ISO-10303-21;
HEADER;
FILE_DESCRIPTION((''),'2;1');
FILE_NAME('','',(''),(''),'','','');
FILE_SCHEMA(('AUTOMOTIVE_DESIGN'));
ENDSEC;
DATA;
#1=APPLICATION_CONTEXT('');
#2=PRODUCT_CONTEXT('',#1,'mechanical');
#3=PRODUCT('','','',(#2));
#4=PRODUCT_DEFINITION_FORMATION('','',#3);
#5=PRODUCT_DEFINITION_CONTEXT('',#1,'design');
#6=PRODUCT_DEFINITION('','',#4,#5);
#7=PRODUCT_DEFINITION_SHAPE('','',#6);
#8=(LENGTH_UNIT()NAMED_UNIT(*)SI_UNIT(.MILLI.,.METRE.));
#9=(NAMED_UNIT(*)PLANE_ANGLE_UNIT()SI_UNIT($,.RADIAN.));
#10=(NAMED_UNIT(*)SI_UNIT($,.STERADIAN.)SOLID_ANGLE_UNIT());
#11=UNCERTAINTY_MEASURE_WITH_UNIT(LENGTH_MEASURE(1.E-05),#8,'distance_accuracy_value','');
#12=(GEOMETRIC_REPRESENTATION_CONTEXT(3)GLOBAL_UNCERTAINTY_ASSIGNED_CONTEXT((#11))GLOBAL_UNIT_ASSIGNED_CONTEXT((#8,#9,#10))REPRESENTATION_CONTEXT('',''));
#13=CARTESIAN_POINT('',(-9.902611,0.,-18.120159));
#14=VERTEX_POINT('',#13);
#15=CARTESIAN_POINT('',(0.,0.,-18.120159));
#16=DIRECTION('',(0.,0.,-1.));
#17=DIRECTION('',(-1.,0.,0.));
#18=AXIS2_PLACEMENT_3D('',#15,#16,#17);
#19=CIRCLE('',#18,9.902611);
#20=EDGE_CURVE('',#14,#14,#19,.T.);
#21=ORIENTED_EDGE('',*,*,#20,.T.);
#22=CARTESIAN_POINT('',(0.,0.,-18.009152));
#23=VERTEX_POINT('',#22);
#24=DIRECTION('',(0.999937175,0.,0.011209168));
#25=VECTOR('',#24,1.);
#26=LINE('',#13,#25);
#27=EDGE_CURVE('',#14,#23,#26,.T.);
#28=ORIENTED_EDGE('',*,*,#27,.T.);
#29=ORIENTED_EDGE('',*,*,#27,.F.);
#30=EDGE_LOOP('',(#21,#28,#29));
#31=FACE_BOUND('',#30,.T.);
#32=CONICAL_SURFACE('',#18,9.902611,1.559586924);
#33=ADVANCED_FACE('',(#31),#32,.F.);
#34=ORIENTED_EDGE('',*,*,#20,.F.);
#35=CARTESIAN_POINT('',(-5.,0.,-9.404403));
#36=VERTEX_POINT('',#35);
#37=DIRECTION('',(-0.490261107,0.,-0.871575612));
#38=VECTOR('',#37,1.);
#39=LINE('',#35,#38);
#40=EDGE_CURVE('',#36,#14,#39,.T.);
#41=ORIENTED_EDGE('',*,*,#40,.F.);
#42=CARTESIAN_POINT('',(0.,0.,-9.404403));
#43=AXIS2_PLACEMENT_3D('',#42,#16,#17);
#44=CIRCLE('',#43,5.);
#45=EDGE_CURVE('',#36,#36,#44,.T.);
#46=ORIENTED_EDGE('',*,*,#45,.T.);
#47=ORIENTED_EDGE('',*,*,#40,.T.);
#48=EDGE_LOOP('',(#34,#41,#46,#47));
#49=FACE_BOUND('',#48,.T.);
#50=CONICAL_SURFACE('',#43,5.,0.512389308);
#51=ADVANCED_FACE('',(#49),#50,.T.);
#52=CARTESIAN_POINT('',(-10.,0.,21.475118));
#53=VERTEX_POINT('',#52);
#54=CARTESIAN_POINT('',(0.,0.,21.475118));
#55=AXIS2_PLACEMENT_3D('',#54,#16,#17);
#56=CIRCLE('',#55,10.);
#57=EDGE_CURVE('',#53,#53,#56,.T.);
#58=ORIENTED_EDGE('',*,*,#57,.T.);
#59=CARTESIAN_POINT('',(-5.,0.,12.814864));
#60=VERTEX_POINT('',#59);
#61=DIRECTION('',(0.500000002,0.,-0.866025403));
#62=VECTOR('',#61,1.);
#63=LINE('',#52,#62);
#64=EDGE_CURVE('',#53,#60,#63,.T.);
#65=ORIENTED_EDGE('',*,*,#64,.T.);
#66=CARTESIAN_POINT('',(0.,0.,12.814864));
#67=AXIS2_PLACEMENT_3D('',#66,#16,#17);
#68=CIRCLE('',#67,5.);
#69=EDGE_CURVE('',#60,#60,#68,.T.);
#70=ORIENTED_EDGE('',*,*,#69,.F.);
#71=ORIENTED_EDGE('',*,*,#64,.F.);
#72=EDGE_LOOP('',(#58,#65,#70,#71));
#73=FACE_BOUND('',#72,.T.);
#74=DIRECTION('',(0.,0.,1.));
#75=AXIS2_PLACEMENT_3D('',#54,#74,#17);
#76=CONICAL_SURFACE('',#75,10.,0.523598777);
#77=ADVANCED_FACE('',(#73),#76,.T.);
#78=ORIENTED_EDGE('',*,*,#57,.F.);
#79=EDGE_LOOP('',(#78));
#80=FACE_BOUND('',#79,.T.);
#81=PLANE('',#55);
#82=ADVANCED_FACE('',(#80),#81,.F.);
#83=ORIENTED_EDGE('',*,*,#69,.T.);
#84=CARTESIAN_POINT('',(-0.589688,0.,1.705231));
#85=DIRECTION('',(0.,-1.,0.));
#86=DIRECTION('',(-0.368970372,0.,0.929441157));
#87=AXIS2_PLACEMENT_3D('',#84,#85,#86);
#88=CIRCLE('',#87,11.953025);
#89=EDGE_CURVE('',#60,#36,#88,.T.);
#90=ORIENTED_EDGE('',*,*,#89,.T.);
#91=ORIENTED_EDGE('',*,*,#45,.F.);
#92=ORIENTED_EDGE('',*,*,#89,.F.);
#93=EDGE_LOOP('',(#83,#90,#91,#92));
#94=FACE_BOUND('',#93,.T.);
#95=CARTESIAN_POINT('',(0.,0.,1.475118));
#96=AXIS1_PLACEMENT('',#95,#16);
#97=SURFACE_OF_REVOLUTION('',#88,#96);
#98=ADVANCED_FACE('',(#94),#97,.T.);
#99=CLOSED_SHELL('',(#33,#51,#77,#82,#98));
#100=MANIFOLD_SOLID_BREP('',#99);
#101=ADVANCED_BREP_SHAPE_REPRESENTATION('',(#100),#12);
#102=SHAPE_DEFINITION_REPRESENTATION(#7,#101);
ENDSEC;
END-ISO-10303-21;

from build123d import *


with BuildPart() as f1:
    # F0 (on Front) → F1 (revolve)
    with BuildSketch(Plane.XZ):
        with BuildLine():
            Line((0, -18.009152), (0, 21.475118))
            Line((0, 21.475118), (-10, 21.475118))
            Line((-10, 21.475118), (-5, 12.814864))
            ThreePointArc((-5, 12.814864), (-12.542713, 1.705231), (-5, -9.404403))
            Line((-5, -9.404403), (-9.902611, -18.120159))
            Line((-9.902611, -18.120159), (0, -18.009152))
        make_face()
    revolve(axis=Axis((0, 0, 1.475118), (0, 0, -1)))


solid = f1.part
